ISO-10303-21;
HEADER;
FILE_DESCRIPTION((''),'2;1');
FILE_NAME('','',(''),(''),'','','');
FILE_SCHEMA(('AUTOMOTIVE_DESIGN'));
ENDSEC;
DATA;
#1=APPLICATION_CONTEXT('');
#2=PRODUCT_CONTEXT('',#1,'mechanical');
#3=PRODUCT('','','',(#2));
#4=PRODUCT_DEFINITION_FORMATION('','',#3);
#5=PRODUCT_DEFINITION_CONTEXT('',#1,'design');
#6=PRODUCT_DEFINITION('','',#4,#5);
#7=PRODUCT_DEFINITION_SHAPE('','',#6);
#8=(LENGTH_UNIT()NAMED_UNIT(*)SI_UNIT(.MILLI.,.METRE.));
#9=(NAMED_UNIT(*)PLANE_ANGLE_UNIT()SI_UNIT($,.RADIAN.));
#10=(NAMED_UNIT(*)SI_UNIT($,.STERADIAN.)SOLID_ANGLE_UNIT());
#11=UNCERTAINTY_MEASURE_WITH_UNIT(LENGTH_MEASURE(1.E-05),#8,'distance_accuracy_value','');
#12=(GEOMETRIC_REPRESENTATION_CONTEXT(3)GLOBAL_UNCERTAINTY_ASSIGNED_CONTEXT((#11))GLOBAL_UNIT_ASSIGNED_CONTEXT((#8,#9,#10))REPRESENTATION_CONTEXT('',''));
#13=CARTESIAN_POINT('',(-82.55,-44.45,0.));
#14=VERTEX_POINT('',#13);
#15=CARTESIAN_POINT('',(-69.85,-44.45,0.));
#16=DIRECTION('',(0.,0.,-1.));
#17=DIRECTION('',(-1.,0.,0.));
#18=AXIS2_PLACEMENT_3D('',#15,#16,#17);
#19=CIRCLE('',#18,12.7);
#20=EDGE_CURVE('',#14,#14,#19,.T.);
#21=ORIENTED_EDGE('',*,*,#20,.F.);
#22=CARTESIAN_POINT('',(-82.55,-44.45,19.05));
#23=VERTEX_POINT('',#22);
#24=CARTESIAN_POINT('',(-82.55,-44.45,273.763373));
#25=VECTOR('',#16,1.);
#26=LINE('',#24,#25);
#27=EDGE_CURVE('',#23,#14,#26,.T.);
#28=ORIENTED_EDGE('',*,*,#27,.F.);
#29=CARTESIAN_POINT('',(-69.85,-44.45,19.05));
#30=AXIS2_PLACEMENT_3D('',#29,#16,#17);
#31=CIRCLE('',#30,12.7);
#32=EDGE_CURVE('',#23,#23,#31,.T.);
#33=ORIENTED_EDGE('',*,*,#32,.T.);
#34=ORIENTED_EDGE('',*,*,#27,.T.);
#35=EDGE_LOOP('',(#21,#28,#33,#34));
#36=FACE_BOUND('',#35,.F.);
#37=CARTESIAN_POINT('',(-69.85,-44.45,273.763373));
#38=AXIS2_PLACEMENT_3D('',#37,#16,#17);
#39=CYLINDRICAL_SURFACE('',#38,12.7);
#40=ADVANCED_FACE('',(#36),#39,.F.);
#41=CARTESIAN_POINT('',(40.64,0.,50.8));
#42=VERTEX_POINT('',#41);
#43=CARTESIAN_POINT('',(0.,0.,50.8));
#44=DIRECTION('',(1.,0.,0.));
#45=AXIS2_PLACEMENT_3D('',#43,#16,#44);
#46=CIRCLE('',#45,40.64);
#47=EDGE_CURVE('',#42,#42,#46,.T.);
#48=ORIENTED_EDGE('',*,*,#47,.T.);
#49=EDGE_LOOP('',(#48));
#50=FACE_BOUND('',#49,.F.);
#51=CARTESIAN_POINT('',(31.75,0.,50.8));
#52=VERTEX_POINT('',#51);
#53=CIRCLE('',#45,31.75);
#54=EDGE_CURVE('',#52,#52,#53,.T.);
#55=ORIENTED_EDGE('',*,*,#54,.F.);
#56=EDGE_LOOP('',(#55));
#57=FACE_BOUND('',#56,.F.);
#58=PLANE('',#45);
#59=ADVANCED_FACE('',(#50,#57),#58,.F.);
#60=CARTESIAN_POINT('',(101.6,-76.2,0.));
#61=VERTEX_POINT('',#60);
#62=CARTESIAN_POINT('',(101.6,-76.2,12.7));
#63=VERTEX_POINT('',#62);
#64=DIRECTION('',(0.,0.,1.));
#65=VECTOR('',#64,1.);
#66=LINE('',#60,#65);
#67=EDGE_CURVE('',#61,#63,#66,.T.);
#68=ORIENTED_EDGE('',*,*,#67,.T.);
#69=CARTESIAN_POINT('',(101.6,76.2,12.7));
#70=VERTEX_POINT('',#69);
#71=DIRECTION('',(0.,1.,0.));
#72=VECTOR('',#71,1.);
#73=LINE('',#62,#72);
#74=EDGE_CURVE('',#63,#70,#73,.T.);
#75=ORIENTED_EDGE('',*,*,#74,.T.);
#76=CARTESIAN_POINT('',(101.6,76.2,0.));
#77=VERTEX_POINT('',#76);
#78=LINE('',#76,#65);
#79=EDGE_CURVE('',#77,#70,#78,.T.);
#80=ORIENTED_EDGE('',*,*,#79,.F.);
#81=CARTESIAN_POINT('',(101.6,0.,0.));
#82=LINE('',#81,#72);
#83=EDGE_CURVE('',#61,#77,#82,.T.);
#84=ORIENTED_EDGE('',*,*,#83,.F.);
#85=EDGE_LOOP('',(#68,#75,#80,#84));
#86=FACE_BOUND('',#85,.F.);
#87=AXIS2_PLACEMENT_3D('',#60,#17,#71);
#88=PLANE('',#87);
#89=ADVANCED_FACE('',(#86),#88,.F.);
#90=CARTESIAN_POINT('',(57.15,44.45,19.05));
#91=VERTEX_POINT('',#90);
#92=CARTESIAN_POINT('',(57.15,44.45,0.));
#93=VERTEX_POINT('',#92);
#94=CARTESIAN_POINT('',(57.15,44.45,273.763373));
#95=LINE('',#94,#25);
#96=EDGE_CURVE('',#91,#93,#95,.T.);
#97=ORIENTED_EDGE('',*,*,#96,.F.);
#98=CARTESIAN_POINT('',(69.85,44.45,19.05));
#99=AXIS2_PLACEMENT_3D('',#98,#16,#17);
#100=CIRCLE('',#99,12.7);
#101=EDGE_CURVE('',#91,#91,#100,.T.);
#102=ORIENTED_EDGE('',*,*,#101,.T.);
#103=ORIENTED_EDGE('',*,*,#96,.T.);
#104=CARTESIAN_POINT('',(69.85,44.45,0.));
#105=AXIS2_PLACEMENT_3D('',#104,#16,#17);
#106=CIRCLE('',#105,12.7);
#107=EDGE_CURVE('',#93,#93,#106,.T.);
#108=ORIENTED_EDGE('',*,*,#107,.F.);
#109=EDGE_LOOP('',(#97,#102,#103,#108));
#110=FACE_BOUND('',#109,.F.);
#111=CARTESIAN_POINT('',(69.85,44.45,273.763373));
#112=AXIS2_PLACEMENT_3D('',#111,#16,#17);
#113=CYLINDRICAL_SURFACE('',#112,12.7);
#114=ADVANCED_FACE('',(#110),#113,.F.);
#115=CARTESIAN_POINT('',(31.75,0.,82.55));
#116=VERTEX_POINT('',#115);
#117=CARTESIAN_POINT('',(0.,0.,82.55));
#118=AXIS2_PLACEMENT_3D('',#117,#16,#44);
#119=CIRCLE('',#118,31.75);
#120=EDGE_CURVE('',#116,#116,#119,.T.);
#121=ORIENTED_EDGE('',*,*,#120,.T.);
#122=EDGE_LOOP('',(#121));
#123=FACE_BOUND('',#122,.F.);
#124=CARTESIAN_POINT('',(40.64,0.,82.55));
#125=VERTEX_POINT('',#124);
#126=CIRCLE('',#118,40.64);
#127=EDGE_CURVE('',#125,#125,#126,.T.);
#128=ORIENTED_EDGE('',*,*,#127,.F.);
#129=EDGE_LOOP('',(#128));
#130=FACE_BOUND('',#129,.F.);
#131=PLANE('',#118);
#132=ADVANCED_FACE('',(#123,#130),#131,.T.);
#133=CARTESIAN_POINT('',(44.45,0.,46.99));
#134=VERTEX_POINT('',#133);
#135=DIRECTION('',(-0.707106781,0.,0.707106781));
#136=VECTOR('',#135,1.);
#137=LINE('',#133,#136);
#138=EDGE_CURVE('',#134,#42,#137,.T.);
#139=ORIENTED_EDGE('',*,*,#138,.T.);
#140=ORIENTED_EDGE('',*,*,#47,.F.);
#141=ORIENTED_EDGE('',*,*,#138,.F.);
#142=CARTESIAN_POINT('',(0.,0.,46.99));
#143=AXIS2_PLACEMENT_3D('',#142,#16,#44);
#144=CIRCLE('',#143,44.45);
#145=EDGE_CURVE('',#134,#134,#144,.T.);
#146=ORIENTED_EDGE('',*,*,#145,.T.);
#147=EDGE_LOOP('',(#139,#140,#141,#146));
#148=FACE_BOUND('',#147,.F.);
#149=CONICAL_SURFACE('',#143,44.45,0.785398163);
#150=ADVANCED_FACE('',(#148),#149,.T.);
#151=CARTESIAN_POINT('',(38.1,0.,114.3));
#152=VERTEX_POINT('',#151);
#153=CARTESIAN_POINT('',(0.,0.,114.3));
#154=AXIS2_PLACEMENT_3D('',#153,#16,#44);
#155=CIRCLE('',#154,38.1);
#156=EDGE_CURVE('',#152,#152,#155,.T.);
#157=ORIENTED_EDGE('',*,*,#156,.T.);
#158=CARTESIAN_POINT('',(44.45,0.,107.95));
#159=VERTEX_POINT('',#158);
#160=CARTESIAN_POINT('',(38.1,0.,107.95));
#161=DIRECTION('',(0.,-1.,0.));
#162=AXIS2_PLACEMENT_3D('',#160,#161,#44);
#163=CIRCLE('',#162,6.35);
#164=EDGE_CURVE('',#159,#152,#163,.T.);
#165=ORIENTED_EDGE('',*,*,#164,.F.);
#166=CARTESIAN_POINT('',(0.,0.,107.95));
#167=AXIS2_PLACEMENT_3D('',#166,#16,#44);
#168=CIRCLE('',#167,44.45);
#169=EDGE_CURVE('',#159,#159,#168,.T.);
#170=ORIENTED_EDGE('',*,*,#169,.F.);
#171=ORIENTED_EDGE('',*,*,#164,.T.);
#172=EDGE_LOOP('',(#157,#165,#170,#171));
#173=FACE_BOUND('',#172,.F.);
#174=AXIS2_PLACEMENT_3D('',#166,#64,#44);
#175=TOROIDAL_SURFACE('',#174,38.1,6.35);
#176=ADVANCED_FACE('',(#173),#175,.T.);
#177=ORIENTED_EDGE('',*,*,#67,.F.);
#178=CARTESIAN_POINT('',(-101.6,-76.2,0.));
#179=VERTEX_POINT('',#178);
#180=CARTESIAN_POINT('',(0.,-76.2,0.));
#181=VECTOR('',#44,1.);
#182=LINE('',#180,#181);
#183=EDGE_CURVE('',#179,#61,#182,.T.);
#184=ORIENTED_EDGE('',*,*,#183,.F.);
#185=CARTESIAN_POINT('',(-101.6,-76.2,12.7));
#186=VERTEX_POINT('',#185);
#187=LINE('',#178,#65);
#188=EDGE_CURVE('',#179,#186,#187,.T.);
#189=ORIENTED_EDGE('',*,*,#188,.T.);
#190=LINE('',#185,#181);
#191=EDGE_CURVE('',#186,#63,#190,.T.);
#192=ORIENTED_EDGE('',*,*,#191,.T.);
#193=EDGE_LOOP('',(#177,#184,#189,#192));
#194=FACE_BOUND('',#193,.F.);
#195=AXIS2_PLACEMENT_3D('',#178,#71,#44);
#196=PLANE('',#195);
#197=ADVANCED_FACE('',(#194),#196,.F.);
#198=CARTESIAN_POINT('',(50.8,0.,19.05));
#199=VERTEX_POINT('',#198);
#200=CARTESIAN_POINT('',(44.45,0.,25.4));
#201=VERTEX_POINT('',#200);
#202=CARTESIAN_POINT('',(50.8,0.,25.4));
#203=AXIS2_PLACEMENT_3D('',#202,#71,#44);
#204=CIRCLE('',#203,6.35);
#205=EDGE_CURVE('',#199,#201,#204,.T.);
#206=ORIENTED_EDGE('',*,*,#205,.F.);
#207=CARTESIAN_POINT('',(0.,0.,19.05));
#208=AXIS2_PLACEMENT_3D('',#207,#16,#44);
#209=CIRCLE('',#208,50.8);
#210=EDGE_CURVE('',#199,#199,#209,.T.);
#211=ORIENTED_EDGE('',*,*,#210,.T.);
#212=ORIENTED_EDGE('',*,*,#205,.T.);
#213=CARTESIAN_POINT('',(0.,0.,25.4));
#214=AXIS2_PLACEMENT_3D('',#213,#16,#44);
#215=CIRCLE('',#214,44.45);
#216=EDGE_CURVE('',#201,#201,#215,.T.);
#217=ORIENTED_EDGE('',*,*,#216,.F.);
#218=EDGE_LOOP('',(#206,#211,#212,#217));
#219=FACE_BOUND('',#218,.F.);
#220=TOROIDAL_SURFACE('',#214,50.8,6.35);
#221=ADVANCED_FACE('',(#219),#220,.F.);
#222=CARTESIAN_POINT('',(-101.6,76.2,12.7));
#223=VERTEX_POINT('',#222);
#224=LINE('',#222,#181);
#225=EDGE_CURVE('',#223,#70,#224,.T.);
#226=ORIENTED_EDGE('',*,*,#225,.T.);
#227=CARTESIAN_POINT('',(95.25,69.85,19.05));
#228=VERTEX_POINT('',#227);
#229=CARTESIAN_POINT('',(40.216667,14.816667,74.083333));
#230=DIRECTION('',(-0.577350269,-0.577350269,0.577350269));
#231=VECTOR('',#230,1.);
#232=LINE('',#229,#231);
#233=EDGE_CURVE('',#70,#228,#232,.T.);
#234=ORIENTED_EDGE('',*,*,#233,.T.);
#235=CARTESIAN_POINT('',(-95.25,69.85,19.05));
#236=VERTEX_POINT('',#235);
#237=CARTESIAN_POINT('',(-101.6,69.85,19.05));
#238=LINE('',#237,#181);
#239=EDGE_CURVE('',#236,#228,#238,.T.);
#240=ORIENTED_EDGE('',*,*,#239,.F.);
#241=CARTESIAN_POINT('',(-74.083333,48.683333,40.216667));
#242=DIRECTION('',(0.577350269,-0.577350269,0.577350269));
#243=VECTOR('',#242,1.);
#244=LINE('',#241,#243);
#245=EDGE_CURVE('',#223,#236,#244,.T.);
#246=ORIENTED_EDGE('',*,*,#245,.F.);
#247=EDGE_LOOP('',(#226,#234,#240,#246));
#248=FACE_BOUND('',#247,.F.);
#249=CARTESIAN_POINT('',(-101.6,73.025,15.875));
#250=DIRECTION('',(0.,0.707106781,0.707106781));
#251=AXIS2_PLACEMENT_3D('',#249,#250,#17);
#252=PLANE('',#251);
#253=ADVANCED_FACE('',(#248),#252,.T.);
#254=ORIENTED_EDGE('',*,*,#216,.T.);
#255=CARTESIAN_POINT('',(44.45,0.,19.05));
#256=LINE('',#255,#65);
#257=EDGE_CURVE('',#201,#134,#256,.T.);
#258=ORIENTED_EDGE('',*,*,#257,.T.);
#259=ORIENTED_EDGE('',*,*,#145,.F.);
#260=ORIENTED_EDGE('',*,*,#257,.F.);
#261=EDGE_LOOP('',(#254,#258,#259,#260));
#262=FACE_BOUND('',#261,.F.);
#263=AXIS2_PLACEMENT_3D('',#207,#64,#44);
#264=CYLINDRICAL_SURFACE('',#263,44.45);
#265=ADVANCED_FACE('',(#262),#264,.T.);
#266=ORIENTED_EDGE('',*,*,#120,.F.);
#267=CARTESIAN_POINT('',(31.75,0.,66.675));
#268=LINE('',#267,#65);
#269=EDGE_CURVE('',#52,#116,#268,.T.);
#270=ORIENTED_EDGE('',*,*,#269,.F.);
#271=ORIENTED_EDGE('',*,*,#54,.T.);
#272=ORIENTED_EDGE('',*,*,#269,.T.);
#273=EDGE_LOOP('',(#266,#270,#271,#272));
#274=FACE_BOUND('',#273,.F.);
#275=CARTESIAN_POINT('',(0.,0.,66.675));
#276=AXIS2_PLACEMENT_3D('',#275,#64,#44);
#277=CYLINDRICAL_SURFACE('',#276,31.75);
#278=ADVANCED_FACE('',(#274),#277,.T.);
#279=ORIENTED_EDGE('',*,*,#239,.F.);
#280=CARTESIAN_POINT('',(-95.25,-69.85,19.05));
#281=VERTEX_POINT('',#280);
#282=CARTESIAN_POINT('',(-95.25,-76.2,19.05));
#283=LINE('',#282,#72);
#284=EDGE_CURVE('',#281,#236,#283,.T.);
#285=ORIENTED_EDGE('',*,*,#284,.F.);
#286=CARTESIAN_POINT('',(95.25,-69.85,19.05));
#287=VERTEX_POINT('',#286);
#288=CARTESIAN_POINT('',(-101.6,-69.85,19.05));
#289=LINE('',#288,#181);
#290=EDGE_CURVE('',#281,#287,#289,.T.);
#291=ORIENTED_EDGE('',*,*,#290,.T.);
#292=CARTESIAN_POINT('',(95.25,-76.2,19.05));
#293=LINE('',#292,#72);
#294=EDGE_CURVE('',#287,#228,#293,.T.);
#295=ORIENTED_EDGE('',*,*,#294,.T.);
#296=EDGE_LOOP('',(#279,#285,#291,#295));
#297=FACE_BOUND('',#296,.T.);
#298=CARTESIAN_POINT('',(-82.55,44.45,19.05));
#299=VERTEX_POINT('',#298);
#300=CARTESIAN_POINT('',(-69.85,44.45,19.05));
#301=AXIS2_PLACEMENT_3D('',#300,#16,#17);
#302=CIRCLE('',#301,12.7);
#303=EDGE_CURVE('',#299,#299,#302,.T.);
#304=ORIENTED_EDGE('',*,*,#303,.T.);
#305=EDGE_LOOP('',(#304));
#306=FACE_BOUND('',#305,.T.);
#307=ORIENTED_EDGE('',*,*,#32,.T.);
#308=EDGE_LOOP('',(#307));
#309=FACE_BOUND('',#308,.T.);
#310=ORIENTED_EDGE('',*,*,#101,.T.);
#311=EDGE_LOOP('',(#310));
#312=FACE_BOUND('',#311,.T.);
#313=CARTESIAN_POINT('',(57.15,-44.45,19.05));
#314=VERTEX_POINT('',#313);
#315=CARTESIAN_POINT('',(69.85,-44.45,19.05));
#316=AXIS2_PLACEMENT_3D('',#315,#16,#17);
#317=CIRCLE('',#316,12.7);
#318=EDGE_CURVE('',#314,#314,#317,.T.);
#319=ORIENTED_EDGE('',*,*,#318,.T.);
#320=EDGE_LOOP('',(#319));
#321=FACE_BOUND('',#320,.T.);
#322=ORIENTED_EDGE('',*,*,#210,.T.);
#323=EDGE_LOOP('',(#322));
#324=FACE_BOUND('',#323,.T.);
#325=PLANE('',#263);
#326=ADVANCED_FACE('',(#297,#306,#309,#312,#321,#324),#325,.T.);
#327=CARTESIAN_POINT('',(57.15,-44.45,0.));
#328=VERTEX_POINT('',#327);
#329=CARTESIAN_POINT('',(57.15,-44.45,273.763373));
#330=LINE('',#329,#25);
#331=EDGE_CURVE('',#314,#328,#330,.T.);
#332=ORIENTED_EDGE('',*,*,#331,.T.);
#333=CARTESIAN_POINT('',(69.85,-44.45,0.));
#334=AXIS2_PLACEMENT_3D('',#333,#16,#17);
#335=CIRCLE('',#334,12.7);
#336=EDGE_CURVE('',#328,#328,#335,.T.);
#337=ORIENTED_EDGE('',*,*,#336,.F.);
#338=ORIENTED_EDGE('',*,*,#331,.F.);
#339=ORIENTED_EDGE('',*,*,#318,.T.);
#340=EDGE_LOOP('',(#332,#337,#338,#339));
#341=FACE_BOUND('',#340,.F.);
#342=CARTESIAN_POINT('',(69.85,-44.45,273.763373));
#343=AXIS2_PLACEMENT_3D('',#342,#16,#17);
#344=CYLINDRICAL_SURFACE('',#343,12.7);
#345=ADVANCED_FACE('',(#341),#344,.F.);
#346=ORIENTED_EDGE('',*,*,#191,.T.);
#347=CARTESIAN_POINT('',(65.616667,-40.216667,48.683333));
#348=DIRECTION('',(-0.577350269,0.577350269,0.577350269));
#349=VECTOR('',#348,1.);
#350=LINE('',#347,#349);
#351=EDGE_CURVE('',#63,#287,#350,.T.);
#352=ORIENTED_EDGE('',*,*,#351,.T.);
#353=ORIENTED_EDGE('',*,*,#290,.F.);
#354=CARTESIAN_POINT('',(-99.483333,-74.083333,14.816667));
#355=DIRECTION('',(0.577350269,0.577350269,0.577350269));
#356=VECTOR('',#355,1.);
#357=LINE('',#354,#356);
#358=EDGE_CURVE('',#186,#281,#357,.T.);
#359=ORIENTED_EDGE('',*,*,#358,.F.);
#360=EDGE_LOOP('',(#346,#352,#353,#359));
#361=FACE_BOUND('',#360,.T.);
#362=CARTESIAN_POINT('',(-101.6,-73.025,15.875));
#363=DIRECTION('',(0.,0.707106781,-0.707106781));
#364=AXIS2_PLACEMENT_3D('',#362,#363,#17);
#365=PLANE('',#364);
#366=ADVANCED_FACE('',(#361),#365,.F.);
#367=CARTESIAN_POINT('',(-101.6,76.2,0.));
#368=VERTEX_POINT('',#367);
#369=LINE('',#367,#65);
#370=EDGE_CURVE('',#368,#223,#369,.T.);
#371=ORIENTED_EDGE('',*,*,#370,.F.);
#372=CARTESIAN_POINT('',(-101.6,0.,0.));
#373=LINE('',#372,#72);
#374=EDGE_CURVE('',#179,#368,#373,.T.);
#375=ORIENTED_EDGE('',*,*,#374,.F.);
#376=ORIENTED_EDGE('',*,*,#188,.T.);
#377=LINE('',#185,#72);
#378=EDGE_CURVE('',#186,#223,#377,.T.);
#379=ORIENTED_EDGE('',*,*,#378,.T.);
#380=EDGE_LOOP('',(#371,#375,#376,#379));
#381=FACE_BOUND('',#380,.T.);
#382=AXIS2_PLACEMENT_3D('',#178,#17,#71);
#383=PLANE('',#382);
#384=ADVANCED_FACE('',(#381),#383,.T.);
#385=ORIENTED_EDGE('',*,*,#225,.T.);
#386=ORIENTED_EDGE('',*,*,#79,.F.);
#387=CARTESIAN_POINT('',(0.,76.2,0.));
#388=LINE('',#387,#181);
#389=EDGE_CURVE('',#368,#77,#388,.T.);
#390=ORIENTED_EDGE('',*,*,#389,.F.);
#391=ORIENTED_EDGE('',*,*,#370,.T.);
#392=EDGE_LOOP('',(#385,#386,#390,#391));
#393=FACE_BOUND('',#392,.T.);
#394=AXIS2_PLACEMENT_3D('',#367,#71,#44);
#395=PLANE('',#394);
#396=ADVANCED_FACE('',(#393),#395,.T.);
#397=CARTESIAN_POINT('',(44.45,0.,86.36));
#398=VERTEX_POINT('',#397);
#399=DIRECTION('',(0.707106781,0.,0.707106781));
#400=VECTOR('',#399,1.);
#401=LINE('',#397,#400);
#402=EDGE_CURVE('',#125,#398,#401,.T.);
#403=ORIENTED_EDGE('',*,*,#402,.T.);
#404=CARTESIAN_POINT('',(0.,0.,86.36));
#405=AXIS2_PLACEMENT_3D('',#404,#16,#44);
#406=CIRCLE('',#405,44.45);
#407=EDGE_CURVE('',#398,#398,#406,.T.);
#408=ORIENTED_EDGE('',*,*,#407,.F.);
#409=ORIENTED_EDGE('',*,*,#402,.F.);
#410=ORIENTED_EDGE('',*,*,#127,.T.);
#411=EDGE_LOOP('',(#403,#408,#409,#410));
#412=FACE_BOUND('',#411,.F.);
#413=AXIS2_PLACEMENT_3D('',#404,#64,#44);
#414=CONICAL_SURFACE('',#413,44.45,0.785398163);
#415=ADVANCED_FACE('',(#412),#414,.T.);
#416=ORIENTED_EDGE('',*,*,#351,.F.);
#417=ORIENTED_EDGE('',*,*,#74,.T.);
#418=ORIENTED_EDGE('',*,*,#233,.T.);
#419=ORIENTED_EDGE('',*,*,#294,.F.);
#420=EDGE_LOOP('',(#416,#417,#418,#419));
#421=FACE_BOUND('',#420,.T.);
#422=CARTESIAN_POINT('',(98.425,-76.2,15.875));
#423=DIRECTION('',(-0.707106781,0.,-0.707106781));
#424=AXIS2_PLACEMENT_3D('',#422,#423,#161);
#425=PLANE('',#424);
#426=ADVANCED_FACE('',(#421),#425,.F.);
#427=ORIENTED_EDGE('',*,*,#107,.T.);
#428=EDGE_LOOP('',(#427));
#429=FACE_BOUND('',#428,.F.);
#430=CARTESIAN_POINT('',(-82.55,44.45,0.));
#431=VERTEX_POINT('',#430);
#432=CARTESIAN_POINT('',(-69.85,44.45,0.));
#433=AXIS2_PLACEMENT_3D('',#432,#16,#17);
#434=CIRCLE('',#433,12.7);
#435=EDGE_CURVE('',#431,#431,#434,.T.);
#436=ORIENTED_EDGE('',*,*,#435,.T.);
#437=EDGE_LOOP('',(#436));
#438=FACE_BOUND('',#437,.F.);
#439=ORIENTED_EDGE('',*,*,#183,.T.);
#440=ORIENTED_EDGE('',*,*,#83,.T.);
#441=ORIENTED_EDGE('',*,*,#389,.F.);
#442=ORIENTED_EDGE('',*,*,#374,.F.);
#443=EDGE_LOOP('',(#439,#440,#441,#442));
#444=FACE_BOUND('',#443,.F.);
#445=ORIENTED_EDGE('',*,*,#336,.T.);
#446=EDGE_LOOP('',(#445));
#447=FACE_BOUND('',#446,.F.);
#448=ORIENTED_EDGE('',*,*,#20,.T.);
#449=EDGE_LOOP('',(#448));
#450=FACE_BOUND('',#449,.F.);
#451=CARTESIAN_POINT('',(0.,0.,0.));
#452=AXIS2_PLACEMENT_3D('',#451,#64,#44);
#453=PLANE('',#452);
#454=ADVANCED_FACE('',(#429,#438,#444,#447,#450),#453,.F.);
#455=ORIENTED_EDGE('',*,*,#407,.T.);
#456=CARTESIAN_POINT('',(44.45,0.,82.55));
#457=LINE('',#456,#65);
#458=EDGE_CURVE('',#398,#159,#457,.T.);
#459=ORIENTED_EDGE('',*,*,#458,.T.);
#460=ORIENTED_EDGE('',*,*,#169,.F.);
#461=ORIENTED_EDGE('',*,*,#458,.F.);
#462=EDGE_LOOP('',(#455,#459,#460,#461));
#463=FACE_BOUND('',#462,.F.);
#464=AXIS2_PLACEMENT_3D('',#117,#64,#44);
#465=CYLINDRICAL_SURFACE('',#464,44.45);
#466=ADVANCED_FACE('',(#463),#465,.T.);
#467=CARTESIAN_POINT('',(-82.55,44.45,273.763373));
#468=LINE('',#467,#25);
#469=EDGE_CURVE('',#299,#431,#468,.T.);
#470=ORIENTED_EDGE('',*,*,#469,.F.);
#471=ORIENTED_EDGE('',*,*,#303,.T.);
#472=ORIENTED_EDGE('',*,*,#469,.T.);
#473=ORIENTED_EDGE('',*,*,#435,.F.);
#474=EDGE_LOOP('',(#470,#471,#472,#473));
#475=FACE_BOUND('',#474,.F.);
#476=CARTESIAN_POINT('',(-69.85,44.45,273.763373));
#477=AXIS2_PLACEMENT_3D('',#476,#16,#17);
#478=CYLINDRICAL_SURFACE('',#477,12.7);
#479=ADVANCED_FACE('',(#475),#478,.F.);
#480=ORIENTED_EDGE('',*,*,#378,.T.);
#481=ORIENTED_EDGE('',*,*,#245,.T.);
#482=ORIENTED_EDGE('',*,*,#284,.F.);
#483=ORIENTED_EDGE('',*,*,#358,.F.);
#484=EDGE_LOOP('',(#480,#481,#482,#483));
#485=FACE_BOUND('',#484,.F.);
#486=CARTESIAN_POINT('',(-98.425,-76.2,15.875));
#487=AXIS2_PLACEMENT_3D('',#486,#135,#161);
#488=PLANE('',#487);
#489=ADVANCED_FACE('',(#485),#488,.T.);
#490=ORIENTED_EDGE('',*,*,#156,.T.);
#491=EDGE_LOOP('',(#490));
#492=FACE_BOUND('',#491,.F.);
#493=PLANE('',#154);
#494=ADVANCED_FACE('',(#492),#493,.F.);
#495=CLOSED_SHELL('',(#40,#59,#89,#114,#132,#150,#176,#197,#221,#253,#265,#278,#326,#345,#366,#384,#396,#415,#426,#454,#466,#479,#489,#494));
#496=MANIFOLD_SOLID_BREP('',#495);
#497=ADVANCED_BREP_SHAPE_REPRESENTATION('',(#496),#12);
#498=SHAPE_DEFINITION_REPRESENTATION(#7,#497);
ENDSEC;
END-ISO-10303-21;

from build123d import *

# Parameters (mm, degrees)
F0_W     = 203.2
F0_H     = 152.4
F1_DEPTH = 19.05
F2_SIZE  = 6.35
F4_D     = 25.4
F5_W     = 31.75
F5_H     = 31.75
F7_R     = 6.35
F8_SIZE  = 3.81


with BuildPart() as f1:
    # F0 (on Top) → F1 (new body)
    with BuildSketch(Plane.XY):
        Rectangle(F0_W, F0_H)
    extrude(amount=F1_DEPTH)

    # F2
    f2_edges = [f1.edges().sort_by_distance(p)[0] for p in [
        (0, -76.2, 19.05),
        (101.6, 0, 19.05),
        (-101.6, 0, 19.05),
        (0, 76.2, 19.05),
    ]]
    chamfer(f2_edges, length=F2_SIZE)

    # F4 (through all)
    with Locations(Plane.XY.offset(19.05)):
        with Locations((-69.85, 44.45), (69.85, 44.45), (69.85, -44.45), (-69.85, -44.45)):
            Hole(F4_D / 2)

    # F5 (on Front) → F6 (revolve)
    with BuildSketch(Plane.XZ):
        Polygon((0, 114.3), (0, 82.55), (31.75, 82.55), (44.45, 82.55), (44.45, 114.3), align=None)
        with Locations((15.875, 66.675)):
            Rectangle(F5_W, F5_H)
        Polygon((31.75, 50.8), (0, 50.8), (0, 19.05), (44.45, 19.05), (44.45, 50.8), align=None)
    revolve(axis=Axis((0, 0, 34.925), (0, 0, -1)))

    # F7
    f7_edges = [f1.edges().sort_by_distance(p)[0] for p in [
        (-44.45, 0, 114.3),
        (-44.45, 0, 19.05),
    ]]
    fillet(f7_edges, radius=F7_R)

    # F8
    f8_edges = [f1.edges().sort_by_distance(p)[0] for p in [
        (-44.45, 0, 50.8),
        (-44.45, 0, 82.55),
    ]]
    chamfer(f8_edges, length=F8_SIZE)


solid = f1.part
